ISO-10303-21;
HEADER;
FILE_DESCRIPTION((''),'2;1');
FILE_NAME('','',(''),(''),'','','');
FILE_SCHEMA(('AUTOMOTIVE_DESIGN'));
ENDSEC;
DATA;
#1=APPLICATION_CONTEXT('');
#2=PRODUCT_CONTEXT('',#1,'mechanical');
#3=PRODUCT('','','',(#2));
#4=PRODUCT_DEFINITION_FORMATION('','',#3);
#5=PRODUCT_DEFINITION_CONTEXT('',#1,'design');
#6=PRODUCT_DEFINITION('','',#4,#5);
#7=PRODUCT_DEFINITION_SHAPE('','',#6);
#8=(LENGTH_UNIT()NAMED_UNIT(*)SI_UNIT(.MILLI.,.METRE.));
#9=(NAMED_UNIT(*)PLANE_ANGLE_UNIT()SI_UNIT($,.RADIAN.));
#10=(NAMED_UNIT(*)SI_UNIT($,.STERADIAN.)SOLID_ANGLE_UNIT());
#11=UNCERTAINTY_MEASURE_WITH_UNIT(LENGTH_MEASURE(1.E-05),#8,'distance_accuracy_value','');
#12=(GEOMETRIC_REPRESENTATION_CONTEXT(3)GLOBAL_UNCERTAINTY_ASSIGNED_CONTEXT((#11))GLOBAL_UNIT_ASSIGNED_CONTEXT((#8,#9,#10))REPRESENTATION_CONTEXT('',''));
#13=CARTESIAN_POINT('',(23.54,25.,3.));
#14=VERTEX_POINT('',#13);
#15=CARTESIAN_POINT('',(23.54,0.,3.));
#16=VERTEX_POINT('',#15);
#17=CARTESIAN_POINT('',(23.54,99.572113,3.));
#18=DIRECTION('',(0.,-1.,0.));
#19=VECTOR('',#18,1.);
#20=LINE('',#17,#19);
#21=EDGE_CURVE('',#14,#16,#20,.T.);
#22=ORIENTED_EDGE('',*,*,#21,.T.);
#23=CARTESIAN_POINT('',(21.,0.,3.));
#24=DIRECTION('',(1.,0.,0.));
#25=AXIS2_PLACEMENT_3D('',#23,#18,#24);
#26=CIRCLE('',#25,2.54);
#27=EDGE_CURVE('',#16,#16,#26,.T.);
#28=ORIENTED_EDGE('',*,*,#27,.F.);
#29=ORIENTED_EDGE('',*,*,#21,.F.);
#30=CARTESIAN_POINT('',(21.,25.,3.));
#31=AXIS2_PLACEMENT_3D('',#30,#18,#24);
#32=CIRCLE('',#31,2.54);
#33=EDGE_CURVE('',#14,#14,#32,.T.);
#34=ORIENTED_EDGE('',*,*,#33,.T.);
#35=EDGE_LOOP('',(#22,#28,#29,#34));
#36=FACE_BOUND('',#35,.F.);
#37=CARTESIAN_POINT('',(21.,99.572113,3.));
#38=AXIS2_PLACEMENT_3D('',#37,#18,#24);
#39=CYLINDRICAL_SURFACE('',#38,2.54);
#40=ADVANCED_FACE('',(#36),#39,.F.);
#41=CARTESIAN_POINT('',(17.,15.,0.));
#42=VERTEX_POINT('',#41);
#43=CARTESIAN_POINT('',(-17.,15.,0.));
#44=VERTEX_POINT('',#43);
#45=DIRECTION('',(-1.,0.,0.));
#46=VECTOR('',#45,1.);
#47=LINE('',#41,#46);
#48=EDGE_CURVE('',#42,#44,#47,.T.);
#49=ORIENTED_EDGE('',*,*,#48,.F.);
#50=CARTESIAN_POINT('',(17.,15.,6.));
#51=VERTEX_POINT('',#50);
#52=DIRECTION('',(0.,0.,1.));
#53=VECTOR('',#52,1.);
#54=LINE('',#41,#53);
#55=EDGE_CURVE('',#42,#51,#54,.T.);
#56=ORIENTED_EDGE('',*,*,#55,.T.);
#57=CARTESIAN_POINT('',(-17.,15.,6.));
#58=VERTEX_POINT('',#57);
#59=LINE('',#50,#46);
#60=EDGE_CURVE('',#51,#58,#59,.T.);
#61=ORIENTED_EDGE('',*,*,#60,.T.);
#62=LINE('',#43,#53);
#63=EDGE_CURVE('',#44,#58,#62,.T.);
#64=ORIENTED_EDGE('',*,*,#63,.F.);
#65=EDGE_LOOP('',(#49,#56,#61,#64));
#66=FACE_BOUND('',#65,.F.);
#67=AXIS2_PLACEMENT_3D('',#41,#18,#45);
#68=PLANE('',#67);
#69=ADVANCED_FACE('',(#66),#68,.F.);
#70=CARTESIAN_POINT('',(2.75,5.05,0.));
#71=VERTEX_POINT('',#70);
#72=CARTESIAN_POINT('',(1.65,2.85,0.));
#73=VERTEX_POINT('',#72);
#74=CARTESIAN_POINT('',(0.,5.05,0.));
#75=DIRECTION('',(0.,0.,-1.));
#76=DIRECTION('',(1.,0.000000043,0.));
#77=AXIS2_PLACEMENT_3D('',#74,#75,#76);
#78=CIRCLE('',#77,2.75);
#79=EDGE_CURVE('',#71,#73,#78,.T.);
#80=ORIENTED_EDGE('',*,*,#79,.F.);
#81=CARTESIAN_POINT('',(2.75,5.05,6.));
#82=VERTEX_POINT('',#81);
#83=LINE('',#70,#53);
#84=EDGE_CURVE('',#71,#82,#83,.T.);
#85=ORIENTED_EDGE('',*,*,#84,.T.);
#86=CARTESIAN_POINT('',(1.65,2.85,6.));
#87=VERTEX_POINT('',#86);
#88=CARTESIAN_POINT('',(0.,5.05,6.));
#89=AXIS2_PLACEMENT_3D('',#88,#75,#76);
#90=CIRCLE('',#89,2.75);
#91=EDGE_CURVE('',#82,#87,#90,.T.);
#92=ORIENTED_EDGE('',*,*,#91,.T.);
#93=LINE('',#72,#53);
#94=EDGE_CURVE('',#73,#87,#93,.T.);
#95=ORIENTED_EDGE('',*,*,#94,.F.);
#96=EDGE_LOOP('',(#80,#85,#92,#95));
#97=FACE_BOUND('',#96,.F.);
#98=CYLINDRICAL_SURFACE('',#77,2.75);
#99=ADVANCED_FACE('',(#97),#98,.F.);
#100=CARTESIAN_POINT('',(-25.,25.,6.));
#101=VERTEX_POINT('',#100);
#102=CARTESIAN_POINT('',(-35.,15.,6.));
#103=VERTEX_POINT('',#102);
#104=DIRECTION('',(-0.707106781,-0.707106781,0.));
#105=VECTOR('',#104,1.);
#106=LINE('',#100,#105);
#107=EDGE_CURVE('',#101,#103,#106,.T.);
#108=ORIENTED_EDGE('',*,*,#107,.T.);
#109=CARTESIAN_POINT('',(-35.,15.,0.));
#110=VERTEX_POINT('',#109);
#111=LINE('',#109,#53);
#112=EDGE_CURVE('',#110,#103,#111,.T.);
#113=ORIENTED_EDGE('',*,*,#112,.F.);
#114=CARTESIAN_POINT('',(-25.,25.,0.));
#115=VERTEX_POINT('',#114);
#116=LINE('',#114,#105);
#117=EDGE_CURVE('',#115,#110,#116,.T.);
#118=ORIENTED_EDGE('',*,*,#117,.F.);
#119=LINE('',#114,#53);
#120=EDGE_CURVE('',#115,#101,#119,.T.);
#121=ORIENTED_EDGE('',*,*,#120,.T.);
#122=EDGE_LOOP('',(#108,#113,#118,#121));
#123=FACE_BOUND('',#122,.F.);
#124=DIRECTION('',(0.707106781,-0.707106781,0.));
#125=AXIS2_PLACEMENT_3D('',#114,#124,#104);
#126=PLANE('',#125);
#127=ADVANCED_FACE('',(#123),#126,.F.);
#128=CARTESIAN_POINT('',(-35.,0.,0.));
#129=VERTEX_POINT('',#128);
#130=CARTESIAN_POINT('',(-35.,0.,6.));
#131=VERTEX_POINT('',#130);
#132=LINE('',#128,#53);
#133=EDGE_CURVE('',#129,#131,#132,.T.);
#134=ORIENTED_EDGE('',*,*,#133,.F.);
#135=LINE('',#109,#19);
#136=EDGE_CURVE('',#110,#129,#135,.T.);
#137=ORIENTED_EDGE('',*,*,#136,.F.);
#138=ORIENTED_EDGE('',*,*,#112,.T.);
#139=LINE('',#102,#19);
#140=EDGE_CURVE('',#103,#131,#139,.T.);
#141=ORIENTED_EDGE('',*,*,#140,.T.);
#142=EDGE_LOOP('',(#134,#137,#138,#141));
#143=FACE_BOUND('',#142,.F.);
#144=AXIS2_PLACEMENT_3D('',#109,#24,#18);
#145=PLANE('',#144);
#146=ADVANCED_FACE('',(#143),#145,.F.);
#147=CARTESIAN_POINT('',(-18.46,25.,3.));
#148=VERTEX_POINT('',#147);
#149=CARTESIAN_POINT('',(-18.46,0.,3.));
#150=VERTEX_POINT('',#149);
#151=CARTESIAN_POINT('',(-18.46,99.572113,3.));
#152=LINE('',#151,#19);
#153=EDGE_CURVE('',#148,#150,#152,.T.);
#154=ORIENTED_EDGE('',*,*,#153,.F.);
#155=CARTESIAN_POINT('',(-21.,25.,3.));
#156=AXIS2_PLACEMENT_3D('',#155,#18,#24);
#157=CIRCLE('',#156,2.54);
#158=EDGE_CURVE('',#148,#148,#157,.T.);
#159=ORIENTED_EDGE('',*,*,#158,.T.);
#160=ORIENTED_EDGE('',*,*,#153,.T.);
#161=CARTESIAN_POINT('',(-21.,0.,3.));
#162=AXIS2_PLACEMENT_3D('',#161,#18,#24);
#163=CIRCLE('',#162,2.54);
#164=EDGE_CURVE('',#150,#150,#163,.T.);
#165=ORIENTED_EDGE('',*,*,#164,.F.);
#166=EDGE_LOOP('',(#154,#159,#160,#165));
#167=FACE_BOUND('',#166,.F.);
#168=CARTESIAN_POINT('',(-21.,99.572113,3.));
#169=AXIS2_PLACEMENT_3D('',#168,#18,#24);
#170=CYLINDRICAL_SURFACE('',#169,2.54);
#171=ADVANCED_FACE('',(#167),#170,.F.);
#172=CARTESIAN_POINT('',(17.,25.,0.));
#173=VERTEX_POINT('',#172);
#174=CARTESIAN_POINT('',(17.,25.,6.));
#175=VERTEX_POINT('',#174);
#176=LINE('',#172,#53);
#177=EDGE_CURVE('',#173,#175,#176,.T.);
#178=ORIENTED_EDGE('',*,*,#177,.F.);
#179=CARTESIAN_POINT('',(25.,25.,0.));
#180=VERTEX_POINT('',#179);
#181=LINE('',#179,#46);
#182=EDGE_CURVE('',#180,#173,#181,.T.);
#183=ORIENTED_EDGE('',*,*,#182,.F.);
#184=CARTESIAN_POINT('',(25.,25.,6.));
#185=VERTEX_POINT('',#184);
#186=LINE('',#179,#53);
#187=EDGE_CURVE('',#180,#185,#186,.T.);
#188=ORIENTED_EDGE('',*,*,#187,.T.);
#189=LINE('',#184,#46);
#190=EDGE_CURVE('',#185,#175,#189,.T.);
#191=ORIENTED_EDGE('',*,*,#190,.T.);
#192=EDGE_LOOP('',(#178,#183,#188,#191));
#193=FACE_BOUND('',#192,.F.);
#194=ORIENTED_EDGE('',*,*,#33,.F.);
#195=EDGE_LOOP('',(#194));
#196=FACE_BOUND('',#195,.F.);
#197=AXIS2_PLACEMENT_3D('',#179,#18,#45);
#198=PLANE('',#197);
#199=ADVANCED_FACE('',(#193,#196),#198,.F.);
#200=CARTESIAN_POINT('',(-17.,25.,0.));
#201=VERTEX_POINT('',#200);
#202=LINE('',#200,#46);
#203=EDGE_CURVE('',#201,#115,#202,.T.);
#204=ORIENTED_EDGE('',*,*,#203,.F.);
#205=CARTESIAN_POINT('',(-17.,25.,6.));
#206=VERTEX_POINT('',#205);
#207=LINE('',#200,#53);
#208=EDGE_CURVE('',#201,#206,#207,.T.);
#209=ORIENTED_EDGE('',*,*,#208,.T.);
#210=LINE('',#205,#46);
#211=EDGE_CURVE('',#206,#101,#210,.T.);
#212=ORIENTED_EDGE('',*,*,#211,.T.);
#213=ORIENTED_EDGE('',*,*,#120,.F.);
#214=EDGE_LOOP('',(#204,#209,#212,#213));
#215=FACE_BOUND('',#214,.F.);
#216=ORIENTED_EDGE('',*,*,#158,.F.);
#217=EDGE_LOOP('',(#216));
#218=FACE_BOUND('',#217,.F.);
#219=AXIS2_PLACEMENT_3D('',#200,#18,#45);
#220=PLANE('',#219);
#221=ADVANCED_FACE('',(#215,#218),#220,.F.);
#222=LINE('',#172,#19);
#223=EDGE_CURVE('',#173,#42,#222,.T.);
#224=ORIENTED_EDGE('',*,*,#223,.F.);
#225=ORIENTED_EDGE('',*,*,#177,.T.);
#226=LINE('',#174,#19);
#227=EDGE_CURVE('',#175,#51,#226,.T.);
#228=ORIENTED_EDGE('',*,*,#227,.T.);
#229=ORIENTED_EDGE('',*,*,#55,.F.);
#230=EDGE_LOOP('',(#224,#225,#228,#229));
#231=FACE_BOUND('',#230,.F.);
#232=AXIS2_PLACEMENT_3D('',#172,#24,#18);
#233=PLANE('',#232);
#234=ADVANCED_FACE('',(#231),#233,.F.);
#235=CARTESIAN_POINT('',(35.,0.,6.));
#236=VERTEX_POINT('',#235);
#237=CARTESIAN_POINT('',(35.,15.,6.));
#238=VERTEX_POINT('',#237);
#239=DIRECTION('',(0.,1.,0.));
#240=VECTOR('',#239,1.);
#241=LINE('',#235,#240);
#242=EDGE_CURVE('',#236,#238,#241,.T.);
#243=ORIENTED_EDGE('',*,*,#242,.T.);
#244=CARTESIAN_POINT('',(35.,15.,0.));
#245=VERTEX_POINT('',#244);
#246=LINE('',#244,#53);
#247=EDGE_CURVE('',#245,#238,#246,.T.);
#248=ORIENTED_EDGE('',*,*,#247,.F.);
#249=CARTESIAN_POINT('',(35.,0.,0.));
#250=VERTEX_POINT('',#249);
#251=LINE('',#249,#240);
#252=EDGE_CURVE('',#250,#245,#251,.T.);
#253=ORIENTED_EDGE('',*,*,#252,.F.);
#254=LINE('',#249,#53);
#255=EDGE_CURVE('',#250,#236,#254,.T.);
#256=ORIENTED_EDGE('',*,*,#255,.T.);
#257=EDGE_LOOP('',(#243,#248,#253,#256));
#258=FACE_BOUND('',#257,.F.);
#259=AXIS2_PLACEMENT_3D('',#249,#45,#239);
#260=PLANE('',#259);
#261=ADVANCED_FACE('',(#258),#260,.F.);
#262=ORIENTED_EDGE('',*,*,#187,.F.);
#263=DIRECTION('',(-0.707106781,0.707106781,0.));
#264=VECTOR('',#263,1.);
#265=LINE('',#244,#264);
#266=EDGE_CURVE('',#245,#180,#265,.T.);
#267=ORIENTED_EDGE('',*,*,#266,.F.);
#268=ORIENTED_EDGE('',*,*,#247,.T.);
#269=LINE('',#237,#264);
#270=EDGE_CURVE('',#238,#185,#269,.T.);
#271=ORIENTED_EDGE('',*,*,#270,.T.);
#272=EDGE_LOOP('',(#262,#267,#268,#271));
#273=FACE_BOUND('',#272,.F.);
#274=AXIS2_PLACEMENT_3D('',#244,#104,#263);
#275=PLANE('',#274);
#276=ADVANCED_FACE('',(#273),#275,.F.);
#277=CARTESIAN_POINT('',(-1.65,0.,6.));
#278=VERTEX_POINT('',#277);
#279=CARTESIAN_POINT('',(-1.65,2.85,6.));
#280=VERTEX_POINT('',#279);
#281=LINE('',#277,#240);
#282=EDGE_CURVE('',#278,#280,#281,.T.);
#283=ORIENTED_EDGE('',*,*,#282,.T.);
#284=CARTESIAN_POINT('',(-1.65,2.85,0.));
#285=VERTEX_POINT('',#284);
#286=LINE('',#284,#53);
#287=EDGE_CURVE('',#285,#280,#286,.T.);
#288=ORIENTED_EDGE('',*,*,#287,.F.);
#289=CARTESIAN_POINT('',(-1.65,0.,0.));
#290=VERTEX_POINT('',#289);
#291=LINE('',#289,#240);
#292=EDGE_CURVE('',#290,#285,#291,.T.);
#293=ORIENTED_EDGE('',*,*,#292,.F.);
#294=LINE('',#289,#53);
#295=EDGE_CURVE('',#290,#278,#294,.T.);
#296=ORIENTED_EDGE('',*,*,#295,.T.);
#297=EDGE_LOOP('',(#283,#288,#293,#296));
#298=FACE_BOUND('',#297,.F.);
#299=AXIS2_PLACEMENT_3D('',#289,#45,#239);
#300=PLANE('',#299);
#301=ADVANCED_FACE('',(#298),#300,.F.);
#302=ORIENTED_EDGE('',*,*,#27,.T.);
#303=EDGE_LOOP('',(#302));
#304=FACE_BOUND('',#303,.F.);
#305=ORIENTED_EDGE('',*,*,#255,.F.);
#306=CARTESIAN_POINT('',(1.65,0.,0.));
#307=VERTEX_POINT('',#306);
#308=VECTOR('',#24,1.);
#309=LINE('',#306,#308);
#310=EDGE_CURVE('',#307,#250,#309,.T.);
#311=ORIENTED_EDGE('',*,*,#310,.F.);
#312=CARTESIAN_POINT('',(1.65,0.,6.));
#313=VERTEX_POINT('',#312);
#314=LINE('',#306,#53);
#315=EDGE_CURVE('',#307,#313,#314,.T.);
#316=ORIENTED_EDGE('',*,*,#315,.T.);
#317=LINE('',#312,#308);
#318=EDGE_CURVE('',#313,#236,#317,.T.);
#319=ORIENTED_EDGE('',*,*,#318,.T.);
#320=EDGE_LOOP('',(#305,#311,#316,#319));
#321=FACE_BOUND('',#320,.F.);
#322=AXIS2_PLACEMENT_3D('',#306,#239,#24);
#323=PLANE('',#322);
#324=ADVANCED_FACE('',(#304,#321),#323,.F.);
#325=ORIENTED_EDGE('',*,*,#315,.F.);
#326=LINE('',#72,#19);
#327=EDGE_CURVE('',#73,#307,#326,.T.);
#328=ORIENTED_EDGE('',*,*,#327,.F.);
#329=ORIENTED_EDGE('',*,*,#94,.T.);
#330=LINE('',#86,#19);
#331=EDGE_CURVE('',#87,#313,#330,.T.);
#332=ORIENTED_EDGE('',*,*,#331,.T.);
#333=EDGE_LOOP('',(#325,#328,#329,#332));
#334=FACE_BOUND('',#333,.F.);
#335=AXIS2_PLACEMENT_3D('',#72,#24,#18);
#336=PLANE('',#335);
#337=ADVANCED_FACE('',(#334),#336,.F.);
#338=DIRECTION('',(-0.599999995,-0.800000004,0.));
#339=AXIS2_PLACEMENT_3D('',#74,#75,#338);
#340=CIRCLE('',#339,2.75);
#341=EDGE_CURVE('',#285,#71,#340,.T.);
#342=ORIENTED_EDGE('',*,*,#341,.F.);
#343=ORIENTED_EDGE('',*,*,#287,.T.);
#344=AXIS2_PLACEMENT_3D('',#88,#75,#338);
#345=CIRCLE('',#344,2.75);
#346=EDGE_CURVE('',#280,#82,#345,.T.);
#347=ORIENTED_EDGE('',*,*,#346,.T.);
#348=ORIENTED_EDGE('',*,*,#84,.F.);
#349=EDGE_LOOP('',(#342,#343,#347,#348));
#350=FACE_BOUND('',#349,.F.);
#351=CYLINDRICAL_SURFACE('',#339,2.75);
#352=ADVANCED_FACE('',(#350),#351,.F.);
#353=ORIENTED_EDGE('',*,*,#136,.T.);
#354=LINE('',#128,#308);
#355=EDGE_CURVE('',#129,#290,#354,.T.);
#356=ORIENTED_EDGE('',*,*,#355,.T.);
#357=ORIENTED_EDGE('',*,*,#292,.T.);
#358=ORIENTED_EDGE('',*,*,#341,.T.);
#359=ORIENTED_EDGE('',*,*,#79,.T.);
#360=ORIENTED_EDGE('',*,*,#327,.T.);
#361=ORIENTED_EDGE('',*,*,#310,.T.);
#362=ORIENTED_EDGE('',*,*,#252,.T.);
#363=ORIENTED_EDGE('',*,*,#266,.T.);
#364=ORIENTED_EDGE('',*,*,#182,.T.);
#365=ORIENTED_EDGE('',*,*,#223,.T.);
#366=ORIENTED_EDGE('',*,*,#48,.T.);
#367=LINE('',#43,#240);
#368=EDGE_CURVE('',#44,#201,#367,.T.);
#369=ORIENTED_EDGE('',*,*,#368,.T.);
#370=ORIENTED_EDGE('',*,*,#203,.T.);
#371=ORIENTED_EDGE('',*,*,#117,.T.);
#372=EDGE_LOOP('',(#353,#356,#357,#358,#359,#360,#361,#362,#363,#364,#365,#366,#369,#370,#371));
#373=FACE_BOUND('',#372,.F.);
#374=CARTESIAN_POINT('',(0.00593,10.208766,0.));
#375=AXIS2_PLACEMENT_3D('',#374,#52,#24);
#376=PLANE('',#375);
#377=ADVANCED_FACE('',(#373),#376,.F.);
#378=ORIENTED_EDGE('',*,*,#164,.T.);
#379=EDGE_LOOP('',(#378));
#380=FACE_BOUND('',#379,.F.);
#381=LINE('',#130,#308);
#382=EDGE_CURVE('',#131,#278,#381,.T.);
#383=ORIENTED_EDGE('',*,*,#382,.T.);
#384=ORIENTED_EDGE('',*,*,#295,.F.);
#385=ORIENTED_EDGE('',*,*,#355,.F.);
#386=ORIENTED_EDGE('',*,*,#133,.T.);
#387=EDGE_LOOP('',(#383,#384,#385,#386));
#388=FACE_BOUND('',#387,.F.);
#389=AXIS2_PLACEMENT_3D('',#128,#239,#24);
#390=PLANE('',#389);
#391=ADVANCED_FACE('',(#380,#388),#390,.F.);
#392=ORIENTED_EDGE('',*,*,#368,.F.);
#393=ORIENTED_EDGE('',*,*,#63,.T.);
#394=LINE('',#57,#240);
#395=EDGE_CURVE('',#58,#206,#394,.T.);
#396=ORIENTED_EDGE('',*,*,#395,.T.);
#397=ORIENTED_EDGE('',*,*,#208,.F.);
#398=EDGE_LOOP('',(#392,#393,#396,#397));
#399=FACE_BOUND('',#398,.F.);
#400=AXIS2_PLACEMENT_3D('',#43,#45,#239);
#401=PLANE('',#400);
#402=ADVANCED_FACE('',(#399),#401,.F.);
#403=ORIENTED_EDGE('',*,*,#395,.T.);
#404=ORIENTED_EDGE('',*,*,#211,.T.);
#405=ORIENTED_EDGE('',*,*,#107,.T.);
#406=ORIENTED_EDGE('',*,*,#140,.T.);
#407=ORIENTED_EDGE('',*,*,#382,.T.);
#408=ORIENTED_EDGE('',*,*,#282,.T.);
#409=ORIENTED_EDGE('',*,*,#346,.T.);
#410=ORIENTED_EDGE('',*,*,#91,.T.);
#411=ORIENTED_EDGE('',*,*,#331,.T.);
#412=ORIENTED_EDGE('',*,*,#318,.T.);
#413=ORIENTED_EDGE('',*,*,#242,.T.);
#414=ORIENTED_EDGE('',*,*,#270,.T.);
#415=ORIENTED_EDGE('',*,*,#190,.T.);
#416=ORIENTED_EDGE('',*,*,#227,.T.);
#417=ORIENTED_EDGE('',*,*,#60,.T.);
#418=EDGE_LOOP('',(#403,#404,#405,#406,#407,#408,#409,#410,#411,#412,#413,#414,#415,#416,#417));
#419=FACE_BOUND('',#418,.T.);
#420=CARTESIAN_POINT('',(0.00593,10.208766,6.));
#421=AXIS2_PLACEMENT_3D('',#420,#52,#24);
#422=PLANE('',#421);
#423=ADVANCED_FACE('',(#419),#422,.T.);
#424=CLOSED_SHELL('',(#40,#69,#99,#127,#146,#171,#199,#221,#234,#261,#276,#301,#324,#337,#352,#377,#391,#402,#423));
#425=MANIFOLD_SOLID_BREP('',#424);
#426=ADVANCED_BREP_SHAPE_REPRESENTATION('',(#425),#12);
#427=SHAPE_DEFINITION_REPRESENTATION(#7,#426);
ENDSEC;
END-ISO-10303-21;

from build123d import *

# Parameters (mm, degrees)
F0_R     = 2.5
F1_DEPTH = 6
F3_D     = 5.08


with BuildPart() as f1:
    # F0 (on Top) → F1 (new body)
    with BuildSketch(Plane.XY):
        with BuildLine():
            Line((-35, 0), (-1.65, 0))
            Line((-1.65, 0), (-1.65, 2.85))
            ThreePointArc((-1.65, 2.85), (-1.229837, 7.509675), (2.75, 5.05))
            ThreePointArc((2.75, 5.05), (2.459675, 3.820163), (1.65, 2.85))
            Line((1.65, 2.85), (1.65, 0))
            Line((1.65, 0), (35, 0))
            Line((35, 0), (35, 15))
            Line((35, 15), (25, 25))
            Line((25, 25), (17, 25))
            Line((17, 25), (17, 15))
            Line((17, 15), (-17, 15))
            Line((-17, 15), (-17, 25))
            Line((-17, 25), (-25, 25))
            Line((-25, 25), (-35, 15))
            Line((-35, 15), (-35, 0))
        make_face()
        with Locations((-21, 20)):
            Circle(F0_R, mode=Mode.SUBTRACT)
        with Locations((21, 20)):
            Circle(F0_R, mode=Mode.SUBTRACT)
        with Locations((21, 20)):
            Circle(F0_R)
        with Locations((-21, 20)):
            Circle(F0_R)
    extrude(amount=F1_DEPTH)

    # F3 (through all)
    with Locations(Plane(origin=(0, 25, 0), x_dir=(-1, 0, 0), z_dir=(0, 1, 0))):
        with Locations((21, 3), (-21, 3)):
            Hole(F3_D / 2)


solid = f1.part
